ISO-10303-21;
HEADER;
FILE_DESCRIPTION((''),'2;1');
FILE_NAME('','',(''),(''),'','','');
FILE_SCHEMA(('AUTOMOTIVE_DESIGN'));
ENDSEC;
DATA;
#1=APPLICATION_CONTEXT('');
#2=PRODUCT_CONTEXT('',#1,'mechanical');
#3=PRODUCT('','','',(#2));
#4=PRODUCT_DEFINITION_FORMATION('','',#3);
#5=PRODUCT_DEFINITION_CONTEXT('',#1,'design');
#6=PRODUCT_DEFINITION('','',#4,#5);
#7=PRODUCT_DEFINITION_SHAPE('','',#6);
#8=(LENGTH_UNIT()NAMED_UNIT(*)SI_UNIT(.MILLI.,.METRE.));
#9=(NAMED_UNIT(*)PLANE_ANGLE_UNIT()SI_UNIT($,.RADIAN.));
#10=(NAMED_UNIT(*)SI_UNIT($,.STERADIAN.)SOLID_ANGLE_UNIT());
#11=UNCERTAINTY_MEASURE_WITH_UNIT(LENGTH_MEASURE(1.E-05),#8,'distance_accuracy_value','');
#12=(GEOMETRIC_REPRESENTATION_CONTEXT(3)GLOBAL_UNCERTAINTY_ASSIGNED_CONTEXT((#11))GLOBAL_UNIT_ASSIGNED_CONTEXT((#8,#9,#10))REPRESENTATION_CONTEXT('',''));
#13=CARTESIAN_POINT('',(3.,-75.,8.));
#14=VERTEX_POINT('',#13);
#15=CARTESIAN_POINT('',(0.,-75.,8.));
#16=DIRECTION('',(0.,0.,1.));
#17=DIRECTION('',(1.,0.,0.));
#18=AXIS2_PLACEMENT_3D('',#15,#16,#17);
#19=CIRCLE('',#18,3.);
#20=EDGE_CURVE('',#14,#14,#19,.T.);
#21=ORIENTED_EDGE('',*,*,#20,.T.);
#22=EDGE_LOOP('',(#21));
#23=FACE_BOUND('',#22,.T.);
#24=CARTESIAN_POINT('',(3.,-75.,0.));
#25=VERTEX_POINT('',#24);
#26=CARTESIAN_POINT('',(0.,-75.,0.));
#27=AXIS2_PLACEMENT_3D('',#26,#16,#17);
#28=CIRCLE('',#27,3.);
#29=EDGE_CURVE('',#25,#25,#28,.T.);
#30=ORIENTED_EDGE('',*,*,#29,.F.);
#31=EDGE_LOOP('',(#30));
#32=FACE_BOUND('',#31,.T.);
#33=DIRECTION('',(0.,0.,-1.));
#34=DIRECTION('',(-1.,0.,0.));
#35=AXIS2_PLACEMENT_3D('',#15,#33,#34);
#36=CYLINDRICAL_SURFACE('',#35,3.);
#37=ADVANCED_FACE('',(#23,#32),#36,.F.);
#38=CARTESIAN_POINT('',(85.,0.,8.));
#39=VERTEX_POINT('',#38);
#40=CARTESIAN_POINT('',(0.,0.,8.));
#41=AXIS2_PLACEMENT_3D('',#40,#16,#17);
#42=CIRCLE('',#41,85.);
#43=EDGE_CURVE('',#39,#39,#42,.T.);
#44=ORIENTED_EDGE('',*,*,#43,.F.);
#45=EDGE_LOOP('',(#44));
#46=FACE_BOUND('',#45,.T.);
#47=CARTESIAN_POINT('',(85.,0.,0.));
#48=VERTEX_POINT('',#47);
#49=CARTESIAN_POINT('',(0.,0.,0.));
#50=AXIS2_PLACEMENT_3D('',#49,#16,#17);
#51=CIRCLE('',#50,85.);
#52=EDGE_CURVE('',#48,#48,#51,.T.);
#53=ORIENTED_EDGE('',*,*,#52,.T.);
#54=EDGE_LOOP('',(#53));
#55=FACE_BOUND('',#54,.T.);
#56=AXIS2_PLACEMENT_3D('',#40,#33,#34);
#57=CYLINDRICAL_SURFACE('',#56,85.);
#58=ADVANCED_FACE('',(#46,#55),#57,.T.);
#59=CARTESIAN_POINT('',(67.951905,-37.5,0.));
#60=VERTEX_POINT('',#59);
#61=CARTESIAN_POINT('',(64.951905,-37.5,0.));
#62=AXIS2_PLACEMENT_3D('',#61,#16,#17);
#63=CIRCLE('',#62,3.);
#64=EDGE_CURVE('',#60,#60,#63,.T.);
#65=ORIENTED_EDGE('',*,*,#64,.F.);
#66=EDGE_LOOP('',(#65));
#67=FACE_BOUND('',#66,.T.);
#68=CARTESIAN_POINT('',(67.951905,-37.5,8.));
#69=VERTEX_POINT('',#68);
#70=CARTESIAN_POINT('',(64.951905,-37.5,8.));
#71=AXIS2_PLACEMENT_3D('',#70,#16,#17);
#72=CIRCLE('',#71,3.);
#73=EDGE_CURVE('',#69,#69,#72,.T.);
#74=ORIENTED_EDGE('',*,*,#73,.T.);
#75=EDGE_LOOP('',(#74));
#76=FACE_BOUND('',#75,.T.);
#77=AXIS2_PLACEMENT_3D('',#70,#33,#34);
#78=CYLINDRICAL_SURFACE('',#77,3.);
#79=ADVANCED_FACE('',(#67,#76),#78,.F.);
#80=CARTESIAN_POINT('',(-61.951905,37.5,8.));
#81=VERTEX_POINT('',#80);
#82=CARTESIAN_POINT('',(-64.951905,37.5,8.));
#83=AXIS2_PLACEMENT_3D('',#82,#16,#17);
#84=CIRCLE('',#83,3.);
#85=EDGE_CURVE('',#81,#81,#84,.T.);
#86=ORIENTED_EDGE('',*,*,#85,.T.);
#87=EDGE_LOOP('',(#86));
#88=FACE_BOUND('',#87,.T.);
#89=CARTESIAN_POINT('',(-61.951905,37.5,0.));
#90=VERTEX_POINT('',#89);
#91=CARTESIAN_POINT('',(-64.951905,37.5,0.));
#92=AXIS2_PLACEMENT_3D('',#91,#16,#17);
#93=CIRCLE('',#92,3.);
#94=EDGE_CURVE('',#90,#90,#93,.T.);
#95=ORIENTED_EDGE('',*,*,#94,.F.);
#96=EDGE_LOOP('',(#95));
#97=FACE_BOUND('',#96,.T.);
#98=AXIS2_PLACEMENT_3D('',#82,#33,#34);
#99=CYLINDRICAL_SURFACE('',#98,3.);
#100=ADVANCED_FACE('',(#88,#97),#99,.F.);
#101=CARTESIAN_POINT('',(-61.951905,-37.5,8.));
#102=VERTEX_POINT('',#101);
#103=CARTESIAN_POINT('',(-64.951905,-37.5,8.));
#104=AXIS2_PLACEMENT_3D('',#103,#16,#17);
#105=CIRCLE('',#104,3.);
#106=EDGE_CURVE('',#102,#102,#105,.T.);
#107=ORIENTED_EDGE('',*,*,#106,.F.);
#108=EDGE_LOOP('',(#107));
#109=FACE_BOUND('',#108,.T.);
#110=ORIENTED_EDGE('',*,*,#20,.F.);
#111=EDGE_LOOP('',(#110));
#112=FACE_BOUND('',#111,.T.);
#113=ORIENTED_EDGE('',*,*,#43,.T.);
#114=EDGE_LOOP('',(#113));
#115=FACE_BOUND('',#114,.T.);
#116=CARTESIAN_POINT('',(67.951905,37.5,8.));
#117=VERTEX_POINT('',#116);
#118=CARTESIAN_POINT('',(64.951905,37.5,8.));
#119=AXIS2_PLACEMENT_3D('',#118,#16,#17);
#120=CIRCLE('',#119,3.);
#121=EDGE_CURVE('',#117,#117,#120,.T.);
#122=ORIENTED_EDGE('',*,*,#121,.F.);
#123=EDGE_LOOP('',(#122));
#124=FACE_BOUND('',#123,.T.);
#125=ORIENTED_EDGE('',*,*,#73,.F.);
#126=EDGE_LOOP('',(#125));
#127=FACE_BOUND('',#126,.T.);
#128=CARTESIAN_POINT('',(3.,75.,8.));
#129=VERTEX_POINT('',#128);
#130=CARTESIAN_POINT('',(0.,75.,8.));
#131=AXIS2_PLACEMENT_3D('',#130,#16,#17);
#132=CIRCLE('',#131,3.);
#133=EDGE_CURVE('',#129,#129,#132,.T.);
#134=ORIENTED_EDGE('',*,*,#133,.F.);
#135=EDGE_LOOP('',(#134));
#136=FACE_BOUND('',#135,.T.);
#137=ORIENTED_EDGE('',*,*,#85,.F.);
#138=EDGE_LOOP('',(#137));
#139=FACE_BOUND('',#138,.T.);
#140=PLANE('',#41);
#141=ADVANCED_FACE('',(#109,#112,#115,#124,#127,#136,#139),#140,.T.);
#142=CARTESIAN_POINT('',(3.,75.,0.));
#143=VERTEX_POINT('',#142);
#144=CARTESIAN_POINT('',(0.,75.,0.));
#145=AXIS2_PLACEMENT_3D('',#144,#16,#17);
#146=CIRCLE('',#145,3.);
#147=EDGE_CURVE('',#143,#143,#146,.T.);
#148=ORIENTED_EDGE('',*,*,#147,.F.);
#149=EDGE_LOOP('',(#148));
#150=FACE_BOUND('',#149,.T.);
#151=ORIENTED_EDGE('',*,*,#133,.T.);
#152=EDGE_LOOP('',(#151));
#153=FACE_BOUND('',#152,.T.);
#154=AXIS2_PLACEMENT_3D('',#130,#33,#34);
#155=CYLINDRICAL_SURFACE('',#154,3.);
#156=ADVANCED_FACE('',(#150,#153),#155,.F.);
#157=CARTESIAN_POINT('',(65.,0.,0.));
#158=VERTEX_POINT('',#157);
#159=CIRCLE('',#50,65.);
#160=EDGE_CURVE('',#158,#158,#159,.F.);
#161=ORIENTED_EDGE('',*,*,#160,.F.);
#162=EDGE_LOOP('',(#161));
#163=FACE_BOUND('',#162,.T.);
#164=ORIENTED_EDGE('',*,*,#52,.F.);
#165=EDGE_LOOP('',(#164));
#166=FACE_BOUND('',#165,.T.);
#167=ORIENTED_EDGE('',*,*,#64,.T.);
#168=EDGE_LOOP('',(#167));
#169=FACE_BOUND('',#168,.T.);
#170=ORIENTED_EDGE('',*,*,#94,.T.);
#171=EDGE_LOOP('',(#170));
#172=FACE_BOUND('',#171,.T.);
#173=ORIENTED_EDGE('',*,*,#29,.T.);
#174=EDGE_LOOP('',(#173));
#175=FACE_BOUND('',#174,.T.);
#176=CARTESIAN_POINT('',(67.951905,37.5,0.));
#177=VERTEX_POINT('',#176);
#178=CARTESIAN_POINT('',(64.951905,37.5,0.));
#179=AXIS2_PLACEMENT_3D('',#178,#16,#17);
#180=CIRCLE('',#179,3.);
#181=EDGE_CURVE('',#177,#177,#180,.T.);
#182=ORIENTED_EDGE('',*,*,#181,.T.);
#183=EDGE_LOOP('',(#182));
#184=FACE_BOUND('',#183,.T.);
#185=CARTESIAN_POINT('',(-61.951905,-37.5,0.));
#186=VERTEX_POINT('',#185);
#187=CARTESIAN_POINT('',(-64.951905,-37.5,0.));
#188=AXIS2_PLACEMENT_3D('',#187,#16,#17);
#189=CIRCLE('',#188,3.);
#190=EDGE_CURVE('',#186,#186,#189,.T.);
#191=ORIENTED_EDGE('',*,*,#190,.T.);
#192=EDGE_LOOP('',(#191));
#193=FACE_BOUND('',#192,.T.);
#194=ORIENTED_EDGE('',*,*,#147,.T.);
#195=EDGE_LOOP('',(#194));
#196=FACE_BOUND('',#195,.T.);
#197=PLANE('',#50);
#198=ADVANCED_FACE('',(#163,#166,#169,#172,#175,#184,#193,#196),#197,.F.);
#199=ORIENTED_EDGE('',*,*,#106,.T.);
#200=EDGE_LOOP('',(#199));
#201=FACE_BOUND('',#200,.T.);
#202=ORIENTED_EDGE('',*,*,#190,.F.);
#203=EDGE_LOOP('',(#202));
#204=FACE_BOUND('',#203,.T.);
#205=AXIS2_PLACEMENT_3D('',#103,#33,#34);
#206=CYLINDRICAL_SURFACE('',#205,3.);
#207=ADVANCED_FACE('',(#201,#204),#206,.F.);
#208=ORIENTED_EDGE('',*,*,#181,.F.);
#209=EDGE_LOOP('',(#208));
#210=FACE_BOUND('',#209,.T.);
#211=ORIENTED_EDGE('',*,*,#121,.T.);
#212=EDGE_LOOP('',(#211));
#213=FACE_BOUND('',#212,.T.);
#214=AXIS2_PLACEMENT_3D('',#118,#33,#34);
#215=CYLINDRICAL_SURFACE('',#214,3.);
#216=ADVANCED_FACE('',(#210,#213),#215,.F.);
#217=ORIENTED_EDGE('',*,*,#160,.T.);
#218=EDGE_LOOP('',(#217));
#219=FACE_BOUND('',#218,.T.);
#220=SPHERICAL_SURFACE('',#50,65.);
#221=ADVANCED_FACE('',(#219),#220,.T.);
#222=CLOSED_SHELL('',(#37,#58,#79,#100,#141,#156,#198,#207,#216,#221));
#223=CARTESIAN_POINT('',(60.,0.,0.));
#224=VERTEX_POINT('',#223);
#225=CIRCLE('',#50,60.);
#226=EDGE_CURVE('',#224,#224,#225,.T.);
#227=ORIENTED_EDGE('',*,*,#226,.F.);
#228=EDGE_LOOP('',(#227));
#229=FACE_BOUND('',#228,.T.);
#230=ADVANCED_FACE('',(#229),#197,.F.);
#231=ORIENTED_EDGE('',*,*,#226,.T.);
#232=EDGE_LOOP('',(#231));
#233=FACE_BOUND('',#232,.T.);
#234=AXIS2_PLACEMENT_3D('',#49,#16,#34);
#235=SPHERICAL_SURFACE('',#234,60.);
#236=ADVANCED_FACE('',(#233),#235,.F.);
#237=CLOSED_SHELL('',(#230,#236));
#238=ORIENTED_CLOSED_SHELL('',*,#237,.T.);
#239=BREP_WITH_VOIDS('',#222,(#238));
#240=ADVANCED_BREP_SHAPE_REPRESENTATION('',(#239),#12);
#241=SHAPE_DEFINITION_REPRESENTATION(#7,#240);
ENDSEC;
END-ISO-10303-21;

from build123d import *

# Parameters (mm, degrees)
SKETCH_1_R      = 85
SKETCH_1_R_2    = 3
EXTRUDE_1_DEPTH = 8


with BuildPart() as part:
    # 草图1 → 凸台-拉伸1 (new body)
    with BuildSketch(Plane.XY):
        Circle(SKETCH_1_R)
        with Locations((0, 75)):
            Circle(SKETCH_1_R_2, mode=Mode.SUBTRACT)
        with Locations((64.951905284, 37.5)):
            Circle(SKETCH_1_R_2, mode=Mode.SUBTRACT)
        with Locations((64.951905284, -37.5)):
            Circle(SKETCH_1_R_2, mode=Mode.SUBTRACT)
        with Locations((0, -75)):
            Circle(SKETCH_1_R_2, mode=Mode.SUBTRACT)
        with Locations((-64.951905284, -37.5)):
            Circle(SKETCH_1_R_2, mode=Mode.SUBTRACT)
        with Locations((-64.951905284, 37.5)):
            Circle(SKETCH_1_R_2, mode=Mode.SUBTRACT)
    extrude(amount=EXTRUDE_1_DEPTH)

    # 草图2 → 旋转1 (revolve)
    with BuildSketch(Plane(origin=(0, 0, 0), x_dir=(1, 0, 0), z_dir=(0, 1, 0)), mode=Mode.PRIVATE) as revolve_1_sk:
        with BuildLine():
            Line((-60, 0), (-65, 0))
            ThreePointArc((-65, 0), (-45.961940777, 45.961940777), (0, 65))
            Line((0, 65), (0, 60))
            ThreePointArc((0, 60), (-42.426406871, 42.426406871), (-60, 0))
        make_face()
    revolve(revolve_1_sk.sketch.rotate(Axis((0, 0, -60), (0, 0, -1)), 180), axis=Axis((0, 0, -60), (0, 0, -1)))


solid = part.part
